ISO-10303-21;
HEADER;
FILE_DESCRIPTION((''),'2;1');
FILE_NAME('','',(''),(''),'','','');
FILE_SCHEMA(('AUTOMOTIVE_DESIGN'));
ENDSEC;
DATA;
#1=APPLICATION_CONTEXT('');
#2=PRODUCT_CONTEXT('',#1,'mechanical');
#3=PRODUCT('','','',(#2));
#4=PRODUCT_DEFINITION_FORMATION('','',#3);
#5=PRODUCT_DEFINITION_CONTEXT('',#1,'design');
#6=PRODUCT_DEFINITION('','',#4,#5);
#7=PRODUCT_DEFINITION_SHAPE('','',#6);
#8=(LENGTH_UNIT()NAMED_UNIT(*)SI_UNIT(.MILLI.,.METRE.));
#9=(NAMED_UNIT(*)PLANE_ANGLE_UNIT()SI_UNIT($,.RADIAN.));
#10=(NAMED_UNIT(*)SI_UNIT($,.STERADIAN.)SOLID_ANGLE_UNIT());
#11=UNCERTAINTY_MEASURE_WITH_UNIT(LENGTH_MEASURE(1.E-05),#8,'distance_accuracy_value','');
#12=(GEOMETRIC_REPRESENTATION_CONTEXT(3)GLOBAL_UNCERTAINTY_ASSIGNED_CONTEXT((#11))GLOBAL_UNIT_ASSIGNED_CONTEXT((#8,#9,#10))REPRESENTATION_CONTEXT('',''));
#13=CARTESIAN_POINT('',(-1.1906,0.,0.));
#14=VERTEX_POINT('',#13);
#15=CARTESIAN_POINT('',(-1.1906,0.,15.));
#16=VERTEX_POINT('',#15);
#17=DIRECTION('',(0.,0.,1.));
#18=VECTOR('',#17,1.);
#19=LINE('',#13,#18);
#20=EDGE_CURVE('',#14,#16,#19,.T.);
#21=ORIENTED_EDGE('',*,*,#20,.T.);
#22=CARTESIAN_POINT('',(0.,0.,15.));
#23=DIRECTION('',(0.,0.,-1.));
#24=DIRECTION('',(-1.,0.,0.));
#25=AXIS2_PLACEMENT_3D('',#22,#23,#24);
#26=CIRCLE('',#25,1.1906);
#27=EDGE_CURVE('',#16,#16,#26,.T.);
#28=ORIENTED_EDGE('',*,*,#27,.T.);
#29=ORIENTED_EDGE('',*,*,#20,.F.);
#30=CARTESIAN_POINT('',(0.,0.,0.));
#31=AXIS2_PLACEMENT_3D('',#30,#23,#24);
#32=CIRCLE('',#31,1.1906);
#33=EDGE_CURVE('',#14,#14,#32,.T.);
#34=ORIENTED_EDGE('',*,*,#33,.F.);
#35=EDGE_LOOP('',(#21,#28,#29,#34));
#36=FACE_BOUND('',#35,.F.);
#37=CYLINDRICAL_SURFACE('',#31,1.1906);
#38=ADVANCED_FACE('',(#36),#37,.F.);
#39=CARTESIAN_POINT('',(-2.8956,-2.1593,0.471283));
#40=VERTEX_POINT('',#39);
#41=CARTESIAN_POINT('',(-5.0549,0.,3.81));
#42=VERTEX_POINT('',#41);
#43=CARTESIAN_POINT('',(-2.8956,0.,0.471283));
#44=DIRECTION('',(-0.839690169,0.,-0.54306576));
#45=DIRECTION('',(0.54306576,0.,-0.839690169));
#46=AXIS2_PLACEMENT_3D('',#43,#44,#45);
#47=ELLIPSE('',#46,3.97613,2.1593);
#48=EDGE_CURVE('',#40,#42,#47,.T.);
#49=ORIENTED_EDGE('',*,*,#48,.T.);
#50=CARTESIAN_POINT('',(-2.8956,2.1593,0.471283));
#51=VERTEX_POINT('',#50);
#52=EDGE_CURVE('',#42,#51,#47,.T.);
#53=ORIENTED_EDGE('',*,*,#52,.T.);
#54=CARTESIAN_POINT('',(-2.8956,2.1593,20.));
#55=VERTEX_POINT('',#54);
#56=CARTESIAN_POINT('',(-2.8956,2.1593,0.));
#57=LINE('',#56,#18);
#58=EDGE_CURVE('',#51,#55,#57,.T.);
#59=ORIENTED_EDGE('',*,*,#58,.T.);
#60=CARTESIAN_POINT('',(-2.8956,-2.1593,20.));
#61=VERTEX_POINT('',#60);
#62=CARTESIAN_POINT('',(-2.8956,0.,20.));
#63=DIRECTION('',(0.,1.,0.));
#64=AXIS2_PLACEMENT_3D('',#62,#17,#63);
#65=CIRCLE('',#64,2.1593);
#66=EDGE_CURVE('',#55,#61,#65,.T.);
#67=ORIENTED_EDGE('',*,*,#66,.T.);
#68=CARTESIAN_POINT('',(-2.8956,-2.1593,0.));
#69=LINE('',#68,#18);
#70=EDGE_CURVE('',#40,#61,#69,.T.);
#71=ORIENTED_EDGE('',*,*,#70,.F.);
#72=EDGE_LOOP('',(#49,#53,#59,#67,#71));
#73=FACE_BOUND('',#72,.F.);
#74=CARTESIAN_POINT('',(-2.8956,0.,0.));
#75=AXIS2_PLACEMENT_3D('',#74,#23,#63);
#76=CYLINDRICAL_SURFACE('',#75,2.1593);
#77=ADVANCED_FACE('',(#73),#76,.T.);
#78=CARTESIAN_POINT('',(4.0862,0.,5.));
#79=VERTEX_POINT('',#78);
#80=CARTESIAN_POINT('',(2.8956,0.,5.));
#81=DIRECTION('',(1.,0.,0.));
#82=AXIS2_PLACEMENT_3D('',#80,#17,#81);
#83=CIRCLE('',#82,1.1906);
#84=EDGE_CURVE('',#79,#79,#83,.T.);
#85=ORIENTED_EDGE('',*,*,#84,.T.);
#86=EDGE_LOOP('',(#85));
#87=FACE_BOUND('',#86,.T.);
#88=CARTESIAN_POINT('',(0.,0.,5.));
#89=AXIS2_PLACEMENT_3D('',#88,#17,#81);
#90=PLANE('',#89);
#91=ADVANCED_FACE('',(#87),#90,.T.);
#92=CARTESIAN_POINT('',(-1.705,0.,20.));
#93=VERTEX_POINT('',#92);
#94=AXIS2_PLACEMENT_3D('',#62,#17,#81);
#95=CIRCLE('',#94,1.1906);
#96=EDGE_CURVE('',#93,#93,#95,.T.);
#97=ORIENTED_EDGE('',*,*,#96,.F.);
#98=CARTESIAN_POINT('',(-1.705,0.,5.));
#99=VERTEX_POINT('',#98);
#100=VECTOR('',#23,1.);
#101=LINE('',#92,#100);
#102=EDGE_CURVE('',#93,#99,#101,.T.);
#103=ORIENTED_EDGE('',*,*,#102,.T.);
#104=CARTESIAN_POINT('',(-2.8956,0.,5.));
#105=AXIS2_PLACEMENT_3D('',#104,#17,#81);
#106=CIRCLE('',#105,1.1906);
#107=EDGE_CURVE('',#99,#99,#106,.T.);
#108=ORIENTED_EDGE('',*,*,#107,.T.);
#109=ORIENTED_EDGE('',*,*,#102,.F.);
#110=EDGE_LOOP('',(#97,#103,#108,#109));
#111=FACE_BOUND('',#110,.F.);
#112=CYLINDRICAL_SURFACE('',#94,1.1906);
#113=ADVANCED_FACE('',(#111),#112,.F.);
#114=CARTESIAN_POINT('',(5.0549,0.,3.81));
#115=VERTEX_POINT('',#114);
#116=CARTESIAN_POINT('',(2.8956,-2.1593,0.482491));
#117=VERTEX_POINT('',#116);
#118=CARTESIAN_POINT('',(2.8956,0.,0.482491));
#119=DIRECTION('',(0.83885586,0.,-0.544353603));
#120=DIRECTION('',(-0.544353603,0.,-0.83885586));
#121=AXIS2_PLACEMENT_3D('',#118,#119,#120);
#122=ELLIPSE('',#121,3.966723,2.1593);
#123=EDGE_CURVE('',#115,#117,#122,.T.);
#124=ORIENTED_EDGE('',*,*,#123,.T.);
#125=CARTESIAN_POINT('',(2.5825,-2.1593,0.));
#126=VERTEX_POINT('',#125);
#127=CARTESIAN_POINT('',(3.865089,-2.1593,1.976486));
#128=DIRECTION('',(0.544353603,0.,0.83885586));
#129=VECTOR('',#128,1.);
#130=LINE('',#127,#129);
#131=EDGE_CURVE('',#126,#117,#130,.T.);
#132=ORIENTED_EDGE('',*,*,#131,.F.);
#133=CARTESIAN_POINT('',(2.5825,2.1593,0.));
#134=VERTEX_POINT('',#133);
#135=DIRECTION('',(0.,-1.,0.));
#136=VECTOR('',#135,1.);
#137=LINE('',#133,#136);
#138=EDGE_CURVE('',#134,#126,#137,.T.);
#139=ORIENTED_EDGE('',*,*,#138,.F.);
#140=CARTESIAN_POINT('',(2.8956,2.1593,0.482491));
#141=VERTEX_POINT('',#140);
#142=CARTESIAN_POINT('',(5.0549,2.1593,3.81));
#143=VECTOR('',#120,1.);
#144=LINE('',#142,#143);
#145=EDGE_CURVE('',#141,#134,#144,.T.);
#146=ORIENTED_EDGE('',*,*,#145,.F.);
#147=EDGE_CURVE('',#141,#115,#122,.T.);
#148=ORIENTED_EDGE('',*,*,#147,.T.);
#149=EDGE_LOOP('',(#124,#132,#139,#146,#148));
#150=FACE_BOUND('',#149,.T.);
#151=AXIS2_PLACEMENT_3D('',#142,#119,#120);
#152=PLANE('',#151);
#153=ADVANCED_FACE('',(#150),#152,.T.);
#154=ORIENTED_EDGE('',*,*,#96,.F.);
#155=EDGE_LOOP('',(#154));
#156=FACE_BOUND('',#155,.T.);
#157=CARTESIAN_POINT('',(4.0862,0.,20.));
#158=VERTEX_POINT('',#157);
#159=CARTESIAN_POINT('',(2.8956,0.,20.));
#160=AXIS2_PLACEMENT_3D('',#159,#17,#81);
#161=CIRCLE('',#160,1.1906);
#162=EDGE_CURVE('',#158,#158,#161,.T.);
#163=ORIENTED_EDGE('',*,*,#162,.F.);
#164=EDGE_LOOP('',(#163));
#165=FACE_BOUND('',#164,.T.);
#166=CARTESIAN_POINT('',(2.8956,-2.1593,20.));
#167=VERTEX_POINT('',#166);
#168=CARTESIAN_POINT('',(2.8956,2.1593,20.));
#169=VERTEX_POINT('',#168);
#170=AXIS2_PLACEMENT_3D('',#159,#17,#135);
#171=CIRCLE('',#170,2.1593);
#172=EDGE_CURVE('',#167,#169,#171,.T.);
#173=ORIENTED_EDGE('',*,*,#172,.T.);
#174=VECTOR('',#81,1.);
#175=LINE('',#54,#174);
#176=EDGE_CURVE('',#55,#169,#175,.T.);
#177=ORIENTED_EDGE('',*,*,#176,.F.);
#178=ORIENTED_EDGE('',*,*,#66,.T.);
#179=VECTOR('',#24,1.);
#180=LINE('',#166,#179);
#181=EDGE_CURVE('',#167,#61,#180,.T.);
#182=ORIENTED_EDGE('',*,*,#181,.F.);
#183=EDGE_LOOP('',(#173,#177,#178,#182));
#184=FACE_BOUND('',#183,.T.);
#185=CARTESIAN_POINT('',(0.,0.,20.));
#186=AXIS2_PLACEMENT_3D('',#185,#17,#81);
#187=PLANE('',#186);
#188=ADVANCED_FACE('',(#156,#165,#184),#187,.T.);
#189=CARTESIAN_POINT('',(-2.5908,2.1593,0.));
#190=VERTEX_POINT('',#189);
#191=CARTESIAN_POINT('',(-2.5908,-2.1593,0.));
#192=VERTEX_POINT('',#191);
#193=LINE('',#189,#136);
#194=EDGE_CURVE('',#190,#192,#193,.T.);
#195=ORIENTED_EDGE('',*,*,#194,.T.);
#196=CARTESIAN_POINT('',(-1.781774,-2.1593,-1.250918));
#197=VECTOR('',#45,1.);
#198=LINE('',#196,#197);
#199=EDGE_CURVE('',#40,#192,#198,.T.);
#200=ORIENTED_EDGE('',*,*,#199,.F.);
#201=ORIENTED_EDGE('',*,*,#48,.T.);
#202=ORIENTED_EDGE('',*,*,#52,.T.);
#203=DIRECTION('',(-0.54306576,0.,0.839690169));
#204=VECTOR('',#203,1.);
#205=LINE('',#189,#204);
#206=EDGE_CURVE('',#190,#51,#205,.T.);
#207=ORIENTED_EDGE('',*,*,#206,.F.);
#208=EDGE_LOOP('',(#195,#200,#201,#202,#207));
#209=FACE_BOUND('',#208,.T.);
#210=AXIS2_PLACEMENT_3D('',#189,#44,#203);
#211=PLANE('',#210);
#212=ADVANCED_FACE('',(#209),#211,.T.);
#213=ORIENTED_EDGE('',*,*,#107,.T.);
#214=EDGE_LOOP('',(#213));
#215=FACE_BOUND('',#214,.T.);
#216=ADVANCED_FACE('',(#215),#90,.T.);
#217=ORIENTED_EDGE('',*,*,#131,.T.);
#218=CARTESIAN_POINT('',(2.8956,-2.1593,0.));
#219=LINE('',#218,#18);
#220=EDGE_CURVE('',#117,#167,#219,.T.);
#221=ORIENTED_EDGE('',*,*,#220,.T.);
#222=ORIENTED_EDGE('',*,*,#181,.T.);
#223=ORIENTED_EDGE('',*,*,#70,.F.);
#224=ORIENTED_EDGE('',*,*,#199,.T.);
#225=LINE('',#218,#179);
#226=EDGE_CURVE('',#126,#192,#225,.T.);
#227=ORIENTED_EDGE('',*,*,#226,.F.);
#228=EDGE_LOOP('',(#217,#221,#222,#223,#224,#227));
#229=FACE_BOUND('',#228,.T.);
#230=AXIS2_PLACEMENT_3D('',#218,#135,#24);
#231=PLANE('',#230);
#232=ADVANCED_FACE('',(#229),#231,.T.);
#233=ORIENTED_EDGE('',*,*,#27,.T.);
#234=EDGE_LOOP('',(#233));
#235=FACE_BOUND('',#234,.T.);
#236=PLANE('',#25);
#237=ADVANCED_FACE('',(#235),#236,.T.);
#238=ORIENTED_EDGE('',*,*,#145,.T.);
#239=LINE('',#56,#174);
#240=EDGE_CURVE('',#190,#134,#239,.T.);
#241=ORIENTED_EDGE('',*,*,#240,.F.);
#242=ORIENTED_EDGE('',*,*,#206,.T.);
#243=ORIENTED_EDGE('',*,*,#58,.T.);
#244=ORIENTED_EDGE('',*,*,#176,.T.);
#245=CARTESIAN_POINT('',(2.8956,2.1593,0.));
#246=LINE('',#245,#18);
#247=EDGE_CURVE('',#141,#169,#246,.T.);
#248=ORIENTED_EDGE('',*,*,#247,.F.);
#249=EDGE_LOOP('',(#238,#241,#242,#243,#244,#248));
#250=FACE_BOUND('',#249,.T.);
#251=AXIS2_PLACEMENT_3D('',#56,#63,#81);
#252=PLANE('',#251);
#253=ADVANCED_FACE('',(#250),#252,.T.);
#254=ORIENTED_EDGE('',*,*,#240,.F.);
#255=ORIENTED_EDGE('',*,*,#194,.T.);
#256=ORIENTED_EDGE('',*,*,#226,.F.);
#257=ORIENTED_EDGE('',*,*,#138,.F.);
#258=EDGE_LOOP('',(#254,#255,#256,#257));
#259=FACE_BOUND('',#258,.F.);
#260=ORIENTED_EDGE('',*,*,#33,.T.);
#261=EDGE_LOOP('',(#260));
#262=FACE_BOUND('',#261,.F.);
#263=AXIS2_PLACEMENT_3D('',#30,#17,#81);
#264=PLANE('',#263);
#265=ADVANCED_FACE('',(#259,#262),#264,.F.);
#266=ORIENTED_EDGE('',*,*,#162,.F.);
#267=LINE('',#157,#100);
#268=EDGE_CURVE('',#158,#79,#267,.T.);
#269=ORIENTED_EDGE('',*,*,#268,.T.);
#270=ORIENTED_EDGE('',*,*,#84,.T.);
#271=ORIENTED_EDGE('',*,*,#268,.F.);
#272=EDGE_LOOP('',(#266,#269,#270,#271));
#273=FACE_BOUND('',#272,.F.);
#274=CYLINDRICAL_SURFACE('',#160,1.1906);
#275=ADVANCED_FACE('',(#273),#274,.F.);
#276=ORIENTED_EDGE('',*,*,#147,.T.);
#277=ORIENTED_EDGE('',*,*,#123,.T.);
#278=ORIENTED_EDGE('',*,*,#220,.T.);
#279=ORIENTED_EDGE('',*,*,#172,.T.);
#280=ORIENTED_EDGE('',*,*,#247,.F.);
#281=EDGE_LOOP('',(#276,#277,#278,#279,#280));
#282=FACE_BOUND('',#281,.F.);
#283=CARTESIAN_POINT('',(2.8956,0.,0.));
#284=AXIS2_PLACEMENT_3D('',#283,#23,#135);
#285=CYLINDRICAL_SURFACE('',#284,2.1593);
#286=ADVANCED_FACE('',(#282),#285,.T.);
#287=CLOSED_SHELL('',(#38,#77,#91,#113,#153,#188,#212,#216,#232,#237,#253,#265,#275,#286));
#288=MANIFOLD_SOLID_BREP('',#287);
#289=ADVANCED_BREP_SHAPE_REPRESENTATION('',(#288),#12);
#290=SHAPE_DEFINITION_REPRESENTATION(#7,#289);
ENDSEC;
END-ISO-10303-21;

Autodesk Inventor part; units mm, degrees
ref_plane "YZ Plane" through (0, 0, 0) normal (1, 0, 0) x (0, 1, 0)
ref_plane "XZ Plane" through (0, 0, 0) normal (0, 1, 0) x (-1, 0, 0)
ref_plane "XY Plane" through (0, 0, 0) normal (0, 0, 1) x (1, 0, 0)
sketch "Sketch5" plane through (0, 0, 0) normal (0, 0, 1) x (1, 0, 0)
  line L0 (-2.8956, 2.1593) -> (2.8956, 2.1593)
  arc A0 (2.8956, -2.1593) -> (2.8956, 2.1593) centre (2.8956, 0) ccw
  line L1 (2.8956, -2.1593) -> (-2.8956, -2.1593)
  arc A1 (-2.8956, 2.1593) -> (-2.8956, -2.1593) centre (-2.8956, 0) ccw
  point P0 (0, 0)
  dimension "d44" = 2.8956
  dimension "d45" = 2.8956
extrude "Extrusion1" add sketch "Sketch5" along normal blind 20
sketch "Sketch6" plane through (0, 0, 20) normal (0, 0, 1) x (1, 0, 0)
  circle A0 centre (2.8956, 0) radius 1.1906
  circle A1 centre (-2.8956, 0) radius 1.1906
  point P0 (0, 0)
  dimension "d28" = 2.3813
  dimension "d29" = 2.8956
  dimension "d30" = 2.8956
  dimension "d31" = 2.3813
extrude "Extrusion2" cut sketch "Sketch6" against normal blind 15
sketch "Sketch7" plane through (0, 0, 0) normal (0, 0, -1) x (-1, 0, 0)
  circle A0 centre (0, 0) radius 1.1906
  dimension "d34" = 2.3813
extrude "Extrusion3" cut sketch "Sketch7" against normal blind 15
sketch "Sketch8" plane through (-2.8956, 2.1593, 0) normal (0, 1, 0) x (1, 0, 0)
  line L0 (7.9505, 0) -> (7.9505, -20) projected
  line L1 (7.9505, -3.81) -> (5.4781, 0)
  line L2 (0, 0) -> (5.7912, 0) projected
  line L3 (0.3048, 0) -> (-2.1593, -3.81)
  line L4 (-2.1593, 0) -> (-2.1593, -20) projected
  line L5 (5.4781, 0) -> (7.9505, 0)
  line L6 (0.3048, 0) -> (-2.1593, 0)
  line L7 (5.7912, 0) -> (0, 0) projected
  point P0 (2.8956, 0)
  dimension "d37" = 2.5825
  dimension "d38" = 2.5908
  dimension "d39" = 3.81
  dimension "d40" = 3.81
extrude "Extrusion4" cut sketch "Sketch8" against normal blind 15
properties part number "Splitter"
